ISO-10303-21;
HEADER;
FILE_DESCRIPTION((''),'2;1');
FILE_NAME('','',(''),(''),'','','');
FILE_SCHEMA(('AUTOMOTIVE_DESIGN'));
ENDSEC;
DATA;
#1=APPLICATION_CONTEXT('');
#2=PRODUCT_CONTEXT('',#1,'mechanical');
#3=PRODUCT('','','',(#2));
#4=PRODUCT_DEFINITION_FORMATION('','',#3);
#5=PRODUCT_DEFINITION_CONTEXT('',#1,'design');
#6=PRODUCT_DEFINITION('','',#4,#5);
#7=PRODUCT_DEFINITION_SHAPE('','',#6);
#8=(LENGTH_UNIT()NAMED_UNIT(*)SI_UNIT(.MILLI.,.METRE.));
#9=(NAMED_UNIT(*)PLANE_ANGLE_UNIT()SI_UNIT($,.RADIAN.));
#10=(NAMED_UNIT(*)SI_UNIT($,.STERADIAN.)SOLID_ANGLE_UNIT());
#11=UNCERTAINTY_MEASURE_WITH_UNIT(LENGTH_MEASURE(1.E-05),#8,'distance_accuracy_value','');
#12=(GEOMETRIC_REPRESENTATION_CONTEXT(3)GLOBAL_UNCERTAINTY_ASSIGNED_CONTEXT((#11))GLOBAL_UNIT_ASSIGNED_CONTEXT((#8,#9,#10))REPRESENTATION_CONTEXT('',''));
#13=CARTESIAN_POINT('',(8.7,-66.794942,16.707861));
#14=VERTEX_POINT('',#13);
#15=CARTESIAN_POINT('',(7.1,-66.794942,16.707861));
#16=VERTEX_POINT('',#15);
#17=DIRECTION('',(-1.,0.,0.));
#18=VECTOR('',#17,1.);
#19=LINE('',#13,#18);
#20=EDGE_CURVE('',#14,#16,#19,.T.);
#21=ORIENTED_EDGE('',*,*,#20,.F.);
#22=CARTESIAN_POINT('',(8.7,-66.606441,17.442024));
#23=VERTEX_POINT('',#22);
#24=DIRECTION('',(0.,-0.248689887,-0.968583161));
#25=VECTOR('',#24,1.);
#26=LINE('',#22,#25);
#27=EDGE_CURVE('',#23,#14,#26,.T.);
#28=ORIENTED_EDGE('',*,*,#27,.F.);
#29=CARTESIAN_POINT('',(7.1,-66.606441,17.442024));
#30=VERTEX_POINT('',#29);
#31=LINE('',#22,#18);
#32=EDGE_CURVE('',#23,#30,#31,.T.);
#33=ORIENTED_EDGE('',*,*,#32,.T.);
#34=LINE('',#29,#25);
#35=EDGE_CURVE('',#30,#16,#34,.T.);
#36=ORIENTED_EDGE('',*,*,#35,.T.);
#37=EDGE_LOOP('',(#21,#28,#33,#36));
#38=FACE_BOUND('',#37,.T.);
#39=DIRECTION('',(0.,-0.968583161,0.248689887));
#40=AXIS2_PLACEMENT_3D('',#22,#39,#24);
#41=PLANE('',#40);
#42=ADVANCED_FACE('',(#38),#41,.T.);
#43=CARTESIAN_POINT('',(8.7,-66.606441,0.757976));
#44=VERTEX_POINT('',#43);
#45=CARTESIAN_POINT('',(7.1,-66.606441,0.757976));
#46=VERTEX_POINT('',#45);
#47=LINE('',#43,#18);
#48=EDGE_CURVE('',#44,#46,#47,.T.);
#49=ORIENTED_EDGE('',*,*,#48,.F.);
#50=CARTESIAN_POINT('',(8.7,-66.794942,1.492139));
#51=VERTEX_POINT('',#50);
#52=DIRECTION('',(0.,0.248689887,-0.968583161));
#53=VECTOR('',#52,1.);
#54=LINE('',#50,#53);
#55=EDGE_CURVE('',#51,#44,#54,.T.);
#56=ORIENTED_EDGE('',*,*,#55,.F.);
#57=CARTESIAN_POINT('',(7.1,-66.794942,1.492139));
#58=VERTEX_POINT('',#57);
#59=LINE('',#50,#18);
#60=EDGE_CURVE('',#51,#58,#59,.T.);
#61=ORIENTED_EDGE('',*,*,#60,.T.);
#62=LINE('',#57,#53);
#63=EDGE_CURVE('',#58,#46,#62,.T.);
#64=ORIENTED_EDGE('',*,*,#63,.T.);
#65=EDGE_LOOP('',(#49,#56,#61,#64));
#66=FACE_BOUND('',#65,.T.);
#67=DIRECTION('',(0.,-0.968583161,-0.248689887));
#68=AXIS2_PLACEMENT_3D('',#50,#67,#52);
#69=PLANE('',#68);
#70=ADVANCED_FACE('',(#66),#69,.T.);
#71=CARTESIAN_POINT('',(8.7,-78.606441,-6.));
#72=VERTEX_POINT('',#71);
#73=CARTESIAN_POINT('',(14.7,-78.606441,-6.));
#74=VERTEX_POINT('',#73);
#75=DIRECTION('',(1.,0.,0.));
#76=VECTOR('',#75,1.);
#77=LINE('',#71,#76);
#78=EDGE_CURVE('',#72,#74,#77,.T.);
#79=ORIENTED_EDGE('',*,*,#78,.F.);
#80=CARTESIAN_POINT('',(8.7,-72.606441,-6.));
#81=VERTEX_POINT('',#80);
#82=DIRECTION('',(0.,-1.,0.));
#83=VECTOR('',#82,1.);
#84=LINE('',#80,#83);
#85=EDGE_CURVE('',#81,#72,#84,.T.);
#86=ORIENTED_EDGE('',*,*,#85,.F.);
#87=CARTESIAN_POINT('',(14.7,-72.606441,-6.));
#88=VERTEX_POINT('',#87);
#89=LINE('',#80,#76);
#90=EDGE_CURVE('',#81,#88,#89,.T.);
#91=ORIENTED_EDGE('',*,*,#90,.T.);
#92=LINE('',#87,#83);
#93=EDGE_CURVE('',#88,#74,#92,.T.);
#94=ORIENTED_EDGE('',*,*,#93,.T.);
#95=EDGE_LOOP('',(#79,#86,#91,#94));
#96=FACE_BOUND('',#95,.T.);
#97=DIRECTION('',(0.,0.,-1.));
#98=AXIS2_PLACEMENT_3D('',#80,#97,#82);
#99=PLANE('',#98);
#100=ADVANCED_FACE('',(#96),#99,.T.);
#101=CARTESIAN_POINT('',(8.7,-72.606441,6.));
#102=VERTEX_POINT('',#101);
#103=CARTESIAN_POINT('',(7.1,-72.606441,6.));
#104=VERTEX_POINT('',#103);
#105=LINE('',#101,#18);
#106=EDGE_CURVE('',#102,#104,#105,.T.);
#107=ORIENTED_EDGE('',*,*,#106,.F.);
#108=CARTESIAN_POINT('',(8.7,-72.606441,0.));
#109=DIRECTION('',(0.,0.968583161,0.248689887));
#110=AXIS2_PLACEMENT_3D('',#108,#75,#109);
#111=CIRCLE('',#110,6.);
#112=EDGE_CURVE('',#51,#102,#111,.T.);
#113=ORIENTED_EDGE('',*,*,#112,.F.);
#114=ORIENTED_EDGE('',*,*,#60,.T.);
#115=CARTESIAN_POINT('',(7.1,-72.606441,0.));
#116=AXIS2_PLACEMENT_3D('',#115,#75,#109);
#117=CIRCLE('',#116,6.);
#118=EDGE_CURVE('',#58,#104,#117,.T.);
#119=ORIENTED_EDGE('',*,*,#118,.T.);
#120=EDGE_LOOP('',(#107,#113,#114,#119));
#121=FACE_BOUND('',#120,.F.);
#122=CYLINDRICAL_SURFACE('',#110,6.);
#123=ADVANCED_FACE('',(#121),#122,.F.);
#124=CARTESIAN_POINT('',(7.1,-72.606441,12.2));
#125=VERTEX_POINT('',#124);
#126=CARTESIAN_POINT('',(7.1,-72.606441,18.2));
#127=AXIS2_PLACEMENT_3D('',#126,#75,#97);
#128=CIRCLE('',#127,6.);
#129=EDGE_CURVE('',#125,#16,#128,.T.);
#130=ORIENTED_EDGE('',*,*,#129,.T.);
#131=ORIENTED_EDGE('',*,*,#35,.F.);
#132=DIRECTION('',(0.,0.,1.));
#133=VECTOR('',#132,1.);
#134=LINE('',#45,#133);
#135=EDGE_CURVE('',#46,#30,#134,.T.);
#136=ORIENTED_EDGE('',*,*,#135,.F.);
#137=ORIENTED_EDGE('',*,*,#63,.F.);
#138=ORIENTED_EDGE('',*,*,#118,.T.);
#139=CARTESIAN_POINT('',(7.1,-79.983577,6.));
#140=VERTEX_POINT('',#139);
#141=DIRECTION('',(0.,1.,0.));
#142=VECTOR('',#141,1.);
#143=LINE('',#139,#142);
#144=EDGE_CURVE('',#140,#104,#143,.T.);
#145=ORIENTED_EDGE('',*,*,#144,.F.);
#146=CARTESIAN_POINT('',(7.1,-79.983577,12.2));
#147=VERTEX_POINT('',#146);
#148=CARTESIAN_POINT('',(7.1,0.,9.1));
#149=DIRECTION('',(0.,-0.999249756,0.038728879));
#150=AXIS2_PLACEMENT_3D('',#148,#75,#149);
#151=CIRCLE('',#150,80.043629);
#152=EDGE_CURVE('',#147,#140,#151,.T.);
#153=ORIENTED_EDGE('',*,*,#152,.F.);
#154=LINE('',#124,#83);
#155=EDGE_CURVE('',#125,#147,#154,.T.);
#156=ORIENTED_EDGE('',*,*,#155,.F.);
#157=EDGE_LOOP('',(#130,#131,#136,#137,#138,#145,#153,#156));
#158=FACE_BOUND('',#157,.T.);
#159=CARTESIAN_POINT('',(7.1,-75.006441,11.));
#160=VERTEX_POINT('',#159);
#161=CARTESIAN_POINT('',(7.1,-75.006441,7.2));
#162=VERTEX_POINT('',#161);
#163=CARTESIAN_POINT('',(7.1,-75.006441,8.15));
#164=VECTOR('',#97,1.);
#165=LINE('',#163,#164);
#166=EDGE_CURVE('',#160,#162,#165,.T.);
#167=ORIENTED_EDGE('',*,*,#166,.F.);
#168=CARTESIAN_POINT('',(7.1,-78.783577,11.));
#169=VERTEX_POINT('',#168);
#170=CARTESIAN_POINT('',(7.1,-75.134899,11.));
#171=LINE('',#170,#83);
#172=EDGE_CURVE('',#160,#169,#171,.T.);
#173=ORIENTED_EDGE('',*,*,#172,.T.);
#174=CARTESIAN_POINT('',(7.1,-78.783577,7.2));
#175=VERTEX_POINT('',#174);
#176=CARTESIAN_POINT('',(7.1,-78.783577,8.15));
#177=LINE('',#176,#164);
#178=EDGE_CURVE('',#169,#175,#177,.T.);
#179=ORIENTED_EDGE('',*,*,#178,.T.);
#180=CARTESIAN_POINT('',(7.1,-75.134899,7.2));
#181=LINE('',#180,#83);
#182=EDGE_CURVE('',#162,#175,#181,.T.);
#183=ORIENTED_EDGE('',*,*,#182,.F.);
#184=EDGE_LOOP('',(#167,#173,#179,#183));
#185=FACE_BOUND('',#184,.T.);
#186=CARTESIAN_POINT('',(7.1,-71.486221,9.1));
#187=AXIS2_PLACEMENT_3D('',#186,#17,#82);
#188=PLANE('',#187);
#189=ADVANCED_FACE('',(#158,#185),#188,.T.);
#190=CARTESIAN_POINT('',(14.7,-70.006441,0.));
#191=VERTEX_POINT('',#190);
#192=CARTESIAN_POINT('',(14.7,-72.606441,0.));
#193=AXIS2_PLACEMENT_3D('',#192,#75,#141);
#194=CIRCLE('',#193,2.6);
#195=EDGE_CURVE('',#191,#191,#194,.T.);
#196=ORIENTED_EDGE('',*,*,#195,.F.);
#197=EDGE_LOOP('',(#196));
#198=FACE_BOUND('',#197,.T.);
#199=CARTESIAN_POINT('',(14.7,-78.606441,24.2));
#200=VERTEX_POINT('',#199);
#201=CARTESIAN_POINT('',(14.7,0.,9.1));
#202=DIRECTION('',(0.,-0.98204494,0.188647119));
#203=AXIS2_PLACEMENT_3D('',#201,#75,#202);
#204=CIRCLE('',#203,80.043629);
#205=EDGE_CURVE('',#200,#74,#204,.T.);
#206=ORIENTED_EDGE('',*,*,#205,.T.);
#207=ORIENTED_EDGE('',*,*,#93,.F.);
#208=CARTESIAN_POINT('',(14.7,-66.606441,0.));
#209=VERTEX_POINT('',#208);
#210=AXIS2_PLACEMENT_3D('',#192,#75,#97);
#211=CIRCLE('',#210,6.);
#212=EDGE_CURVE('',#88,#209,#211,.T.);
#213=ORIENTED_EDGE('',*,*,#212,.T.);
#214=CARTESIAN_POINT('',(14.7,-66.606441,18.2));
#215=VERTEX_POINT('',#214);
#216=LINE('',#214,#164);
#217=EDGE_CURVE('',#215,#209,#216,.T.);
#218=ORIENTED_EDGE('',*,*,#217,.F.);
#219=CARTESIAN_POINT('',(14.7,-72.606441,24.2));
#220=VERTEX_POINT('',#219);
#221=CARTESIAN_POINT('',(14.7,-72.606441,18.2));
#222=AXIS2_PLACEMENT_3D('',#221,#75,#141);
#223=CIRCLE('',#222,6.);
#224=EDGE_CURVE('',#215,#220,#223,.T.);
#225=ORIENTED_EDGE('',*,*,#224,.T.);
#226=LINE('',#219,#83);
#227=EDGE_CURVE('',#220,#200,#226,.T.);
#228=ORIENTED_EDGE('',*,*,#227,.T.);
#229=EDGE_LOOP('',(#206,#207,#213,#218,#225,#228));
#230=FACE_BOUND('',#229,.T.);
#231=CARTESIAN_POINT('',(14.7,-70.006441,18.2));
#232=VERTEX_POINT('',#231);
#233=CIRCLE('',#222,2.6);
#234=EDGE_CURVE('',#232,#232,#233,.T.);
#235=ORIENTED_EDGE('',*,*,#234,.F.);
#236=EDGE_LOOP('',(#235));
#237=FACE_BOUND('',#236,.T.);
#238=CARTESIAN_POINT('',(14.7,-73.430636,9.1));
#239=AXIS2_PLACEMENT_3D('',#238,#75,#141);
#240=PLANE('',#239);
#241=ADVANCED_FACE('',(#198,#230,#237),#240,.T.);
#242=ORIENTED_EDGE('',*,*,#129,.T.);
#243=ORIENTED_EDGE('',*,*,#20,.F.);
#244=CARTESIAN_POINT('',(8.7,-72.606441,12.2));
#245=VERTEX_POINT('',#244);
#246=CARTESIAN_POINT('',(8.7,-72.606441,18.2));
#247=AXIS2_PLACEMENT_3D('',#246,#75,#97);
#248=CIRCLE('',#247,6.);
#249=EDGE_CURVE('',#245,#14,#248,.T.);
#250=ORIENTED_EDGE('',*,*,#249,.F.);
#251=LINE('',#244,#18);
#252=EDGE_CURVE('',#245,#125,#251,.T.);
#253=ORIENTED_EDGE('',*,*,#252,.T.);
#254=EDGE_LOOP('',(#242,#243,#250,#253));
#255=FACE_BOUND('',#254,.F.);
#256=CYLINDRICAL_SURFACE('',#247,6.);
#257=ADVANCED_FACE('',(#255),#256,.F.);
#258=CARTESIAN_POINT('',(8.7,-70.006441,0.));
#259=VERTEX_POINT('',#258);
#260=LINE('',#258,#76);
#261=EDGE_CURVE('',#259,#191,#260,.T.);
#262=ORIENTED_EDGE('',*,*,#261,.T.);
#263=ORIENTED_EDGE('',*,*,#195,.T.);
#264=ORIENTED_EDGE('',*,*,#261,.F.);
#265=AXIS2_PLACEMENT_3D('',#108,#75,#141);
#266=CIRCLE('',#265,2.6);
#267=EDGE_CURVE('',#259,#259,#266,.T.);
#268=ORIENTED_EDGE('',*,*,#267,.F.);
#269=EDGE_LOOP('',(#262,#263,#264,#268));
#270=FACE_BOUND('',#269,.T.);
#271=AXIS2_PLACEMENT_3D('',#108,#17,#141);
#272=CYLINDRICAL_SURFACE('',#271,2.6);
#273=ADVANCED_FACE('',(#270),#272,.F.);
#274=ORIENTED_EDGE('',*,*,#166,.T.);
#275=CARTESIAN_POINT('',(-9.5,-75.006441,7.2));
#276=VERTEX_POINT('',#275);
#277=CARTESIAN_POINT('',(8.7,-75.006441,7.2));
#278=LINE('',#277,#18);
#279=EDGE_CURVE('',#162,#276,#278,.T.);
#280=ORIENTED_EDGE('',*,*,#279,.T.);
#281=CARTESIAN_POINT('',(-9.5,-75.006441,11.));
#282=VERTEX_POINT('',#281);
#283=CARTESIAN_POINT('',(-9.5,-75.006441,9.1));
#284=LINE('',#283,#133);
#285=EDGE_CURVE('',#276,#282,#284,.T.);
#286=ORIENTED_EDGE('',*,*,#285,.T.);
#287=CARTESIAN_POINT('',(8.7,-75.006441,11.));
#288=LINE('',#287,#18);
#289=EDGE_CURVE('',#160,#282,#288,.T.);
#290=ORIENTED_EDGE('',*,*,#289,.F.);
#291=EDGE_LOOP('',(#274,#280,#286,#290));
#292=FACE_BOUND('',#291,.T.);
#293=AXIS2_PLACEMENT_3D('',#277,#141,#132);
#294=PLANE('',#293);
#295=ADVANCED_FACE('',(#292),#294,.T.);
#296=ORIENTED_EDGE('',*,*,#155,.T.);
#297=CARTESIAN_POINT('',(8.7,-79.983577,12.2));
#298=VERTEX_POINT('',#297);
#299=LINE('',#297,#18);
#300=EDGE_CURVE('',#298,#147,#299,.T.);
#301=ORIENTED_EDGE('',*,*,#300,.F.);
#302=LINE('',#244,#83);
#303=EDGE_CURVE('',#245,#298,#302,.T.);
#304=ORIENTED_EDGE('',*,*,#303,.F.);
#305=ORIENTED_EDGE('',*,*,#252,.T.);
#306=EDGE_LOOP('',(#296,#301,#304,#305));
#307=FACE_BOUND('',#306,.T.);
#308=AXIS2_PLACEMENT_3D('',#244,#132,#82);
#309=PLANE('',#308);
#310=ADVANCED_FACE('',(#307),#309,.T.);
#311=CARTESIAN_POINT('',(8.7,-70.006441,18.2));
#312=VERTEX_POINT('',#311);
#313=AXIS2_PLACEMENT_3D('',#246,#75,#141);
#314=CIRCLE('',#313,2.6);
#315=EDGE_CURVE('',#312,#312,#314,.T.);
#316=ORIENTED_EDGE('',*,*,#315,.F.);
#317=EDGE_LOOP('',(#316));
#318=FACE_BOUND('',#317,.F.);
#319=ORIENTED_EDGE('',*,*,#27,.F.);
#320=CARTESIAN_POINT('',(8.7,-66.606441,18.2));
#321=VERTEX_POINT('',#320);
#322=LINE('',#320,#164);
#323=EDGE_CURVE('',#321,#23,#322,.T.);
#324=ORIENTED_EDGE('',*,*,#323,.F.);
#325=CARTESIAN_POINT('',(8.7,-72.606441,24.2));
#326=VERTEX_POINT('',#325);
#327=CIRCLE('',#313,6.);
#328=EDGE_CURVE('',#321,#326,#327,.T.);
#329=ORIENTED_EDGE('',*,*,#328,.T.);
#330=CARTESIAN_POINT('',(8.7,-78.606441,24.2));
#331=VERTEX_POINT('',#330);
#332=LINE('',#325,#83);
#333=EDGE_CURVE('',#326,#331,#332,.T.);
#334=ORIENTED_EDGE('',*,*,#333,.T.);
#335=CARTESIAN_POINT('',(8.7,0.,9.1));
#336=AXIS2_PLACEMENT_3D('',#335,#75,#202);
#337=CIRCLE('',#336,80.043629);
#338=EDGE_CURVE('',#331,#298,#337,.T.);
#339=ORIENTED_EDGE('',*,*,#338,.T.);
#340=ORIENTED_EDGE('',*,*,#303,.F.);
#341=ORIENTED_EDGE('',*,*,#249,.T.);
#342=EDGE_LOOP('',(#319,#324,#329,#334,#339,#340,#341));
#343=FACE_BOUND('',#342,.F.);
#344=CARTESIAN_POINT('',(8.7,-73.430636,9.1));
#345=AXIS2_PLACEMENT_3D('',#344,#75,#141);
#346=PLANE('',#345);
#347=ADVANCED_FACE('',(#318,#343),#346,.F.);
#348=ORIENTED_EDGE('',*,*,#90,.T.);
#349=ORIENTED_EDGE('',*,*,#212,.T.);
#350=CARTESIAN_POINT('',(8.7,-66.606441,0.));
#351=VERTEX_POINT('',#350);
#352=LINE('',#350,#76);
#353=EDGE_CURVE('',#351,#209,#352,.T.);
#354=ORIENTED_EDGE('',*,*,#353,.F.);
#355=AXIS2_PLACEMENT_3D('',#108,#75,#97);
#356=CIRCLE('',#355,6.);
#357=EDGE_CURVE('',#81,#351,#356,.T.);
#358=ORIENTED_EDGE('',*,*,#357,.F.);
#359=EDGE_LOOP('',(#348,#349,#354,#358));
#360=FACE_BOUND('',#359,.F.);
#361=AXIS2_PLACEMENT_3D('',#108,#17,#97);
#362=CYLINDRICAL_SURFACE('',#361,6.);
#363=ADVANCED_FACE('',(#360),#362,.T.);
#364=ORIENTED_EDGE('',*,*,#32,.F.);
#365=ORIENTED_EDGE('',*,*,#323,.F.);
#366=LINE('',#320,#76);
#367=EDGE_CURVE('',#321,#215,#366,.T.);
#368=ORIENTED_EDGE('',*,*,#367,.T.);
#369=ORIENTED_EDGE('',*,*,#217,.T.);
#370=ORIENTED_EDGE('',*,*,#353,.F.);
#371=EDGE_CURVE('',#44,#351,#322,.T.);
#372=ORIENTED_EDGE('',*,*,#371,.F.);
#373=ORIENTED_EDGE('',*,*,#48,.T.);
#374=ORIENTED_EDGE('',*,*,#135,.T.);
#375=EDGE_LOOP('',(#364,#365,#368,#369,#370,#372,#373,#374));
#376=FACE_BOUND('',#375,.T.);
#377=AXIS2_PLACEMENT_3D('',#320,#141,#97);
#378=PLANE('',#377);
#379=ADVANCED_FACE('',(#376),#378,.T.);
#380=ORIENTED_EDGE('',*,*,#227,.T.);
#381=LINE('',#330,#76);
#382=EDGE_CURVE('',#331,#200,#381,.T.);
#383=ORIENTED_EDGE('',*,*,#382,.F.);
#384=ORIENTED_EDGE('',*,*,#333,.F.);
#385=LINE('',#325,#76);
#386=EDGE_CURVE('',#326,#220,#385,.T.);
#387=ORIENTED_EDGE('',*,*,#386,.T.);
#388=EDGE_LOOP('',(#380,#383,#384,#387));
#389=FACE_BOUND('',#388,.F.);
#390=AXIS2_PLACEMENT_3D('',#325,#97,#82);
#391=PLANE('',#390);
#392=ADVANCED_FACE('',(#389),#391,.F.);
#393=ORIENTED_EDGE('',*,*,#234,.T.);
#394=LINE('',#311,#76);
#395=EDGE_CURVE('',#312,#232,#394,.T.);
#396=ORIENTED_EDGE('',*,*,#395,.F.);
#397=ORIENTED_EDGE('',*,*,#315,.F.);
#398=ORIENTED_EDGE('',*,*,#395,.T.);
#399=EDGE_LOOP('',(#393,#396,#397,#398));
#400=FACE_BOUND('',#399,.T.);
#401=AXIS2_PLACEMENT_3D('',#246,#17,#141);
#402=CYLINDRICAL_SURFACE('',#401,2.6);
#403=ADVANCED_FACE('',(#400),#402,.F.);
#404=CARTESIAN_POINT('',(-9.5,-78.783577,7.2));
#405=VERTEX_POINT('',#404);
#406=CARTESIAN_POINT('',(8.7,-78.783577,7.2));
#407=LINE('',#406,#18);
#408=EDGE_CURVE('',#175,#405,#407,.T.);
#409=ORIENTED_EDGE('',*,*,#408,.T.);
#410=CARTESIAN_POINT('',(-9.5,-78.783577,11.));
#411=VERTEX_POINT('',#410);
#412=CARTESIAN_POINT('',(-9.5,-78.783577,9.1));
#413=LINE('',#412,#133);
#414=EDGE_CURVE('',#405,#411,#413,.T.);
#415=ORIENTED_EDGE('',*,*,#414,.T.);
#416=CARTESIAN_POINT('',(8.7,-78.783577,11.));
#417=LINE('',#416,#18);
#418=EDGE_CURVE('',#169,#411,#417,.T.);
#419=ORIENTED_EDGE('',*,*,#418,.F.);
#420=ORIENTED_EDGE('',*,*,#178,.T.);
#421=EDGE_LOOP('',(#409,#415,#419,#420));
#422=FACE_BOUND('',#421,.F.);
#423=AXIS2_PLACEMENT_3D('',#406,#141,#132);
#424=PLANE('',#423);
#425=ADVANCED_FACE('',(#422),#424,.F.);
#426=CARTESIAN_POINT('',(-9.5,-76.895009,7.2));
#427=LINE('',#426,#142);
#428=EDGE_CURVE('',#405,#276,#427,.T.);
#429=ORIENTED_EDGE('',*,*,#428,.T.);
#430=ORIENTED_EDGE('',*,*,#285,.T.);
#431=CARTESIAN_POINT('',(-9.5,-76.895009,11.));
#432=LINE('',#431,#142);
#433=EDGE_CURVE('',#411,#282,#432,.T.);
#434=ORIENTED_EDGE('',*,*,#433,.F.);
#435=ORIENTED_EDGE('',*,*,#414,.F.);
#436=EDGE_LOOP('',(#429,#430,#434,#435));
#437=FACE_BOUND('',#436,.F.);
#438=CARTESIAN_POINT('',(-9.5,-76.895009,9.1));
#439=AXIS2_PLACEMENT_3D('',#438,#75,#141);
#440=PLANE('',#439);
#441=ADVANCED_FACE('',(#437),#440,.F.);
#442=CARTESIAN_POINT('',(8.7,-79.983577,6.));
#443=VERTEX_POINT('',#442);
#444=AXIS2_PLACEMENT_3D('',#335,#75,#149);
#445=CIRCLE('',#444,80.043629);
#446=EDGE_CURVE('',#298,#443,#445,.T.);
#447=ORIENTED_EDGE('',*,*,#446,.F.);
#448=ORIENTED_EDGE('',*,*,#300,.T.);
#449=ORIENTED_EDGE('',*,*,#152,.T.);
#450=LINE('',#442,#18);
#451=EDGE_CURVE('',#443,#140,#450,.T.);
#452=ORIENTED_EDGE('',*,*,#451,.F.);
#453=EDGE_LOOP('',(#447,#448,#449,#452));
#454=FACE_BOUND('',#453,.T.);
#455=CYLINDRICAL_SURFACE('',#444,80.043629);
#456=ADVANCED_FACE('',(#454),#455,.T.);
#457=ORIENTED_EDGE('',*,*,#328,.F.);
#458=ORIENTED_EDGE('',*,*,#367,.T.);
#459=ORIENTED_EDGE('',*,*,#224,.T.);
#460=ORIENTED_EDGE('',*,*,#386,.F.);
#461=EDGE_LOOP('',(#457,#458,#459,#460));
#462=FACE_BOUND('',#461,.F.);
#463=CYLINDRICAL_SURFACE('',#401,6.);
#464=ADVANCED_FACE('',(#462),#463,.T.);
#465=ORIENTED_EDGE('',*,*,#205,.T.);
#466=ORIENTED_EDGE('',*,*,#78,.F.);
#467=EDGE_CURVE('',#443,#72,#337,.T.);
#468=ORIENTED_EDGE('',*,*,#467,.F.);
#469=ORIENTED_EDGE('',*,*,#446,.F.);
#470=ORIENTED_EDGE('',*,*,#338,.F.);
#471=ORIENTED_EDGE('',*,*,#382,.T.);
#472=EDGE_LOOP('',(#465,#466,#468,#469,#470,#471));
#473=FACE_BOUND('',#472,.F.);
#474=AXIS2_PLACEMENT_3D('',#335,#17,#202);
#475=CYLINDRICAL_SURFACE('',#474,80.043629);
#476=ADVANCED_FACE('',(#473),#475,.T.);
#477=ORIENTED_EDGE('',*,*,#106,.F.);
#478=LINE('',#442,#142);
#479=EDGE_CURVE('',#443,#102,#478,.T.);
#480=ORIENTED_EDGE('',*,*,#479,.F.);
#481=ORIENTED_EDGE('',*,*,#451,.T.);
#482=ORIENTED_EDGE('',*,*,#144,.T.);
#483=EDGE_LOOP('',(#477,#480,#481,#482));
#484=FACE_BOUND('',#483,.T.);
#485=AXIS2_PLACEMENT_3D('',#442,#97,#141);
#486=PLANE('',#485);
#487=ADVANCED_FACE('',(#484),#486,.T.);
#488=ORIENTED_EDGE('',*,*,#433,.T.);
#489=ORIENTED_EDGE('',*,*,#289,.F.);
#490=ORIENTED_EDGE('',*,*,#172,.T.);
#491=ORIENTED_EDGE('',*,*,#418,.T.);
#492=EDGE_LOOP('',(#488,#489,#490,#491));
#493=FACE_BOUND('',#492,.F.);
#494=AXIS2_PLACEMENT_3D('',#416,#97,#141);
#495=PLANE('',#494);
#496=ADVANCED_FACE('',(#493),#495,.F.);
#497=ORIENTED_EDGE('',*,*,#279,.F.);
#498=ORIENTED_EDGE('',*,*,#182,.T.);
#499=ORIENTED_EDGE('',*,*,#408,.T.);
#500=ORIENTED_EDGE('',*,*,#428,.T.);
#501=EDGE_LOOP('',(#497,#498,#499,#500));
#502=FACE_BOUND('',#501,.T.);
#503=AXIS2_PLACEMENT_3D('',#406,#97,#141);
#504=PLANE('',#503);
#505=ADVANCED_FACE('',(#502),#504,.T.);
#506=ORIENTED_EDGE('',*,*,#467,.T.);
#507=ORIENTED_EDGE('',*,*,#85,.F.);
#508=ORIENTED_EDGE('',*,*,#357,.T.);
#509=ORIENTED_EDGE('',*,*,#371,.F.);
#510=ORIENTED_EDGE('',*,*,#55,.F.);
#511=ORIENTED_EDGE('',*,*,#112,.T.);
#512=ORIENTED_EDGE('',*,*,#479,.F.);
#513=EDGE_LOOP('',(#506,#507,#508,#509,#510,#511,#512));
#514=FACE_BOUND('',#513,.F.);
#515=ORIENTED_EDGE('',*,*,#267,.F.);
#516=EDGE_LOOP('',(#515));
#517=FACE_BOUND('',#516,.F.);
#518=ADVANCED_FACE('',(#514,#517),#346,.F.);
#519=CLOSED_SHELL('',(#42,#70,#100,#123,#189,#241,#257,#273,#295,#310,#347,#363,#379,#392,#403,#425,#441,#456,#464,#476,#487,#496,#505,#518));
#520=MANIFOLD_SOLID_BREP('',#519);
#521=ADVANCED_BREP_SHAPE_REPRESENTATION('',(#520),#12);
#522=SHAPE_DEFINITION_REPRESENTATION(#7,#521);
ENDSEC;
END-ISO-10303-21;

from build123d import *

# Parameters (mm, degrees)
SKETCH001_R  = 2.6
PAD_DEPTH    = 6
PAD001_DEPTH = 1.6
SKETCH003_W  = 3.7771358599
SKETCH003_H  = 3.8
PAD002_DEPTH = 18.2


with BuildPart() as part:
    # Sketch001 → Pad (new body)
    with BuildSketch(Plane.YZ.offset(8.7)):
        with BuildLine():
            ThreePointArc((0, -6), (4.2426406871, -4.2426406871), (6, 0))
            Line((6, 18.2), (6, 0))
            ThreePointArc((6, 18.2), (4.2426406871, 22.4426406871), (0, 24.2))
            Line((0, 24.2), (-6, 24.2))
            ThreePointArc((-6, 24.2), (-7.4371881489, 9.1), (-6, -6))
            Line((0, -6), (-6, -6))
        make_face()
        Circle(SKETCH001_R, mode=Mode.SUBTRACT)
        with Locations((0, 18.2)):
            Circle(SKETCH001_R, mode=Mode.SUBTRACT)
    extrude(amount=PAD_DEPTH)

    # Sketch002 → Pad001 (join)
    with BuildSketch(Plane.YZ.offset(8.7)):
        with BuildLine():
            ThreePointArc((0, 12.2), (3.6774423219, 13.4590699257), (5.8114989668, 16.707860677))
            Line((6, 17.4420237293), (5.8114989668, 16.707860677))
            Line((6, 0.7579762707), (6, 17.4420237293))
            Line((5.8114989668, 1.492139323), (6, 0.7579762707))
            ThreePointArc((5.8114989668, 1.492139323), (3.6774423219, 4.7409300743), (0, 6))
            Line((-7.3771358599, 6), (0, 6))
            ThreePointArc((-7.3771358599, 12.2), (-7.4371881489, 9.1), (-7.3771358599, 6))
            Line((0, 12.2), (-7.3771358599, 12.2))
        make_face()
    extrude(amount=-PAD001_DEPTH)

    # Sketch003 → Pad002 (join)
    with BuildSketch(Plane.YZ.offset(8.7)):
        with Locations((-4.2885679299, 9.1)):
            Rectangle(SKETCH003_W, SKETCH003_H)
    extrude(amount=-PAD002_DEPTH)


with BuildPart() as part_1:
    # Body004 placement: moved
    add(part.part.moved(Location((0, -72.6064407756, 0))))


solid = part_1.part
